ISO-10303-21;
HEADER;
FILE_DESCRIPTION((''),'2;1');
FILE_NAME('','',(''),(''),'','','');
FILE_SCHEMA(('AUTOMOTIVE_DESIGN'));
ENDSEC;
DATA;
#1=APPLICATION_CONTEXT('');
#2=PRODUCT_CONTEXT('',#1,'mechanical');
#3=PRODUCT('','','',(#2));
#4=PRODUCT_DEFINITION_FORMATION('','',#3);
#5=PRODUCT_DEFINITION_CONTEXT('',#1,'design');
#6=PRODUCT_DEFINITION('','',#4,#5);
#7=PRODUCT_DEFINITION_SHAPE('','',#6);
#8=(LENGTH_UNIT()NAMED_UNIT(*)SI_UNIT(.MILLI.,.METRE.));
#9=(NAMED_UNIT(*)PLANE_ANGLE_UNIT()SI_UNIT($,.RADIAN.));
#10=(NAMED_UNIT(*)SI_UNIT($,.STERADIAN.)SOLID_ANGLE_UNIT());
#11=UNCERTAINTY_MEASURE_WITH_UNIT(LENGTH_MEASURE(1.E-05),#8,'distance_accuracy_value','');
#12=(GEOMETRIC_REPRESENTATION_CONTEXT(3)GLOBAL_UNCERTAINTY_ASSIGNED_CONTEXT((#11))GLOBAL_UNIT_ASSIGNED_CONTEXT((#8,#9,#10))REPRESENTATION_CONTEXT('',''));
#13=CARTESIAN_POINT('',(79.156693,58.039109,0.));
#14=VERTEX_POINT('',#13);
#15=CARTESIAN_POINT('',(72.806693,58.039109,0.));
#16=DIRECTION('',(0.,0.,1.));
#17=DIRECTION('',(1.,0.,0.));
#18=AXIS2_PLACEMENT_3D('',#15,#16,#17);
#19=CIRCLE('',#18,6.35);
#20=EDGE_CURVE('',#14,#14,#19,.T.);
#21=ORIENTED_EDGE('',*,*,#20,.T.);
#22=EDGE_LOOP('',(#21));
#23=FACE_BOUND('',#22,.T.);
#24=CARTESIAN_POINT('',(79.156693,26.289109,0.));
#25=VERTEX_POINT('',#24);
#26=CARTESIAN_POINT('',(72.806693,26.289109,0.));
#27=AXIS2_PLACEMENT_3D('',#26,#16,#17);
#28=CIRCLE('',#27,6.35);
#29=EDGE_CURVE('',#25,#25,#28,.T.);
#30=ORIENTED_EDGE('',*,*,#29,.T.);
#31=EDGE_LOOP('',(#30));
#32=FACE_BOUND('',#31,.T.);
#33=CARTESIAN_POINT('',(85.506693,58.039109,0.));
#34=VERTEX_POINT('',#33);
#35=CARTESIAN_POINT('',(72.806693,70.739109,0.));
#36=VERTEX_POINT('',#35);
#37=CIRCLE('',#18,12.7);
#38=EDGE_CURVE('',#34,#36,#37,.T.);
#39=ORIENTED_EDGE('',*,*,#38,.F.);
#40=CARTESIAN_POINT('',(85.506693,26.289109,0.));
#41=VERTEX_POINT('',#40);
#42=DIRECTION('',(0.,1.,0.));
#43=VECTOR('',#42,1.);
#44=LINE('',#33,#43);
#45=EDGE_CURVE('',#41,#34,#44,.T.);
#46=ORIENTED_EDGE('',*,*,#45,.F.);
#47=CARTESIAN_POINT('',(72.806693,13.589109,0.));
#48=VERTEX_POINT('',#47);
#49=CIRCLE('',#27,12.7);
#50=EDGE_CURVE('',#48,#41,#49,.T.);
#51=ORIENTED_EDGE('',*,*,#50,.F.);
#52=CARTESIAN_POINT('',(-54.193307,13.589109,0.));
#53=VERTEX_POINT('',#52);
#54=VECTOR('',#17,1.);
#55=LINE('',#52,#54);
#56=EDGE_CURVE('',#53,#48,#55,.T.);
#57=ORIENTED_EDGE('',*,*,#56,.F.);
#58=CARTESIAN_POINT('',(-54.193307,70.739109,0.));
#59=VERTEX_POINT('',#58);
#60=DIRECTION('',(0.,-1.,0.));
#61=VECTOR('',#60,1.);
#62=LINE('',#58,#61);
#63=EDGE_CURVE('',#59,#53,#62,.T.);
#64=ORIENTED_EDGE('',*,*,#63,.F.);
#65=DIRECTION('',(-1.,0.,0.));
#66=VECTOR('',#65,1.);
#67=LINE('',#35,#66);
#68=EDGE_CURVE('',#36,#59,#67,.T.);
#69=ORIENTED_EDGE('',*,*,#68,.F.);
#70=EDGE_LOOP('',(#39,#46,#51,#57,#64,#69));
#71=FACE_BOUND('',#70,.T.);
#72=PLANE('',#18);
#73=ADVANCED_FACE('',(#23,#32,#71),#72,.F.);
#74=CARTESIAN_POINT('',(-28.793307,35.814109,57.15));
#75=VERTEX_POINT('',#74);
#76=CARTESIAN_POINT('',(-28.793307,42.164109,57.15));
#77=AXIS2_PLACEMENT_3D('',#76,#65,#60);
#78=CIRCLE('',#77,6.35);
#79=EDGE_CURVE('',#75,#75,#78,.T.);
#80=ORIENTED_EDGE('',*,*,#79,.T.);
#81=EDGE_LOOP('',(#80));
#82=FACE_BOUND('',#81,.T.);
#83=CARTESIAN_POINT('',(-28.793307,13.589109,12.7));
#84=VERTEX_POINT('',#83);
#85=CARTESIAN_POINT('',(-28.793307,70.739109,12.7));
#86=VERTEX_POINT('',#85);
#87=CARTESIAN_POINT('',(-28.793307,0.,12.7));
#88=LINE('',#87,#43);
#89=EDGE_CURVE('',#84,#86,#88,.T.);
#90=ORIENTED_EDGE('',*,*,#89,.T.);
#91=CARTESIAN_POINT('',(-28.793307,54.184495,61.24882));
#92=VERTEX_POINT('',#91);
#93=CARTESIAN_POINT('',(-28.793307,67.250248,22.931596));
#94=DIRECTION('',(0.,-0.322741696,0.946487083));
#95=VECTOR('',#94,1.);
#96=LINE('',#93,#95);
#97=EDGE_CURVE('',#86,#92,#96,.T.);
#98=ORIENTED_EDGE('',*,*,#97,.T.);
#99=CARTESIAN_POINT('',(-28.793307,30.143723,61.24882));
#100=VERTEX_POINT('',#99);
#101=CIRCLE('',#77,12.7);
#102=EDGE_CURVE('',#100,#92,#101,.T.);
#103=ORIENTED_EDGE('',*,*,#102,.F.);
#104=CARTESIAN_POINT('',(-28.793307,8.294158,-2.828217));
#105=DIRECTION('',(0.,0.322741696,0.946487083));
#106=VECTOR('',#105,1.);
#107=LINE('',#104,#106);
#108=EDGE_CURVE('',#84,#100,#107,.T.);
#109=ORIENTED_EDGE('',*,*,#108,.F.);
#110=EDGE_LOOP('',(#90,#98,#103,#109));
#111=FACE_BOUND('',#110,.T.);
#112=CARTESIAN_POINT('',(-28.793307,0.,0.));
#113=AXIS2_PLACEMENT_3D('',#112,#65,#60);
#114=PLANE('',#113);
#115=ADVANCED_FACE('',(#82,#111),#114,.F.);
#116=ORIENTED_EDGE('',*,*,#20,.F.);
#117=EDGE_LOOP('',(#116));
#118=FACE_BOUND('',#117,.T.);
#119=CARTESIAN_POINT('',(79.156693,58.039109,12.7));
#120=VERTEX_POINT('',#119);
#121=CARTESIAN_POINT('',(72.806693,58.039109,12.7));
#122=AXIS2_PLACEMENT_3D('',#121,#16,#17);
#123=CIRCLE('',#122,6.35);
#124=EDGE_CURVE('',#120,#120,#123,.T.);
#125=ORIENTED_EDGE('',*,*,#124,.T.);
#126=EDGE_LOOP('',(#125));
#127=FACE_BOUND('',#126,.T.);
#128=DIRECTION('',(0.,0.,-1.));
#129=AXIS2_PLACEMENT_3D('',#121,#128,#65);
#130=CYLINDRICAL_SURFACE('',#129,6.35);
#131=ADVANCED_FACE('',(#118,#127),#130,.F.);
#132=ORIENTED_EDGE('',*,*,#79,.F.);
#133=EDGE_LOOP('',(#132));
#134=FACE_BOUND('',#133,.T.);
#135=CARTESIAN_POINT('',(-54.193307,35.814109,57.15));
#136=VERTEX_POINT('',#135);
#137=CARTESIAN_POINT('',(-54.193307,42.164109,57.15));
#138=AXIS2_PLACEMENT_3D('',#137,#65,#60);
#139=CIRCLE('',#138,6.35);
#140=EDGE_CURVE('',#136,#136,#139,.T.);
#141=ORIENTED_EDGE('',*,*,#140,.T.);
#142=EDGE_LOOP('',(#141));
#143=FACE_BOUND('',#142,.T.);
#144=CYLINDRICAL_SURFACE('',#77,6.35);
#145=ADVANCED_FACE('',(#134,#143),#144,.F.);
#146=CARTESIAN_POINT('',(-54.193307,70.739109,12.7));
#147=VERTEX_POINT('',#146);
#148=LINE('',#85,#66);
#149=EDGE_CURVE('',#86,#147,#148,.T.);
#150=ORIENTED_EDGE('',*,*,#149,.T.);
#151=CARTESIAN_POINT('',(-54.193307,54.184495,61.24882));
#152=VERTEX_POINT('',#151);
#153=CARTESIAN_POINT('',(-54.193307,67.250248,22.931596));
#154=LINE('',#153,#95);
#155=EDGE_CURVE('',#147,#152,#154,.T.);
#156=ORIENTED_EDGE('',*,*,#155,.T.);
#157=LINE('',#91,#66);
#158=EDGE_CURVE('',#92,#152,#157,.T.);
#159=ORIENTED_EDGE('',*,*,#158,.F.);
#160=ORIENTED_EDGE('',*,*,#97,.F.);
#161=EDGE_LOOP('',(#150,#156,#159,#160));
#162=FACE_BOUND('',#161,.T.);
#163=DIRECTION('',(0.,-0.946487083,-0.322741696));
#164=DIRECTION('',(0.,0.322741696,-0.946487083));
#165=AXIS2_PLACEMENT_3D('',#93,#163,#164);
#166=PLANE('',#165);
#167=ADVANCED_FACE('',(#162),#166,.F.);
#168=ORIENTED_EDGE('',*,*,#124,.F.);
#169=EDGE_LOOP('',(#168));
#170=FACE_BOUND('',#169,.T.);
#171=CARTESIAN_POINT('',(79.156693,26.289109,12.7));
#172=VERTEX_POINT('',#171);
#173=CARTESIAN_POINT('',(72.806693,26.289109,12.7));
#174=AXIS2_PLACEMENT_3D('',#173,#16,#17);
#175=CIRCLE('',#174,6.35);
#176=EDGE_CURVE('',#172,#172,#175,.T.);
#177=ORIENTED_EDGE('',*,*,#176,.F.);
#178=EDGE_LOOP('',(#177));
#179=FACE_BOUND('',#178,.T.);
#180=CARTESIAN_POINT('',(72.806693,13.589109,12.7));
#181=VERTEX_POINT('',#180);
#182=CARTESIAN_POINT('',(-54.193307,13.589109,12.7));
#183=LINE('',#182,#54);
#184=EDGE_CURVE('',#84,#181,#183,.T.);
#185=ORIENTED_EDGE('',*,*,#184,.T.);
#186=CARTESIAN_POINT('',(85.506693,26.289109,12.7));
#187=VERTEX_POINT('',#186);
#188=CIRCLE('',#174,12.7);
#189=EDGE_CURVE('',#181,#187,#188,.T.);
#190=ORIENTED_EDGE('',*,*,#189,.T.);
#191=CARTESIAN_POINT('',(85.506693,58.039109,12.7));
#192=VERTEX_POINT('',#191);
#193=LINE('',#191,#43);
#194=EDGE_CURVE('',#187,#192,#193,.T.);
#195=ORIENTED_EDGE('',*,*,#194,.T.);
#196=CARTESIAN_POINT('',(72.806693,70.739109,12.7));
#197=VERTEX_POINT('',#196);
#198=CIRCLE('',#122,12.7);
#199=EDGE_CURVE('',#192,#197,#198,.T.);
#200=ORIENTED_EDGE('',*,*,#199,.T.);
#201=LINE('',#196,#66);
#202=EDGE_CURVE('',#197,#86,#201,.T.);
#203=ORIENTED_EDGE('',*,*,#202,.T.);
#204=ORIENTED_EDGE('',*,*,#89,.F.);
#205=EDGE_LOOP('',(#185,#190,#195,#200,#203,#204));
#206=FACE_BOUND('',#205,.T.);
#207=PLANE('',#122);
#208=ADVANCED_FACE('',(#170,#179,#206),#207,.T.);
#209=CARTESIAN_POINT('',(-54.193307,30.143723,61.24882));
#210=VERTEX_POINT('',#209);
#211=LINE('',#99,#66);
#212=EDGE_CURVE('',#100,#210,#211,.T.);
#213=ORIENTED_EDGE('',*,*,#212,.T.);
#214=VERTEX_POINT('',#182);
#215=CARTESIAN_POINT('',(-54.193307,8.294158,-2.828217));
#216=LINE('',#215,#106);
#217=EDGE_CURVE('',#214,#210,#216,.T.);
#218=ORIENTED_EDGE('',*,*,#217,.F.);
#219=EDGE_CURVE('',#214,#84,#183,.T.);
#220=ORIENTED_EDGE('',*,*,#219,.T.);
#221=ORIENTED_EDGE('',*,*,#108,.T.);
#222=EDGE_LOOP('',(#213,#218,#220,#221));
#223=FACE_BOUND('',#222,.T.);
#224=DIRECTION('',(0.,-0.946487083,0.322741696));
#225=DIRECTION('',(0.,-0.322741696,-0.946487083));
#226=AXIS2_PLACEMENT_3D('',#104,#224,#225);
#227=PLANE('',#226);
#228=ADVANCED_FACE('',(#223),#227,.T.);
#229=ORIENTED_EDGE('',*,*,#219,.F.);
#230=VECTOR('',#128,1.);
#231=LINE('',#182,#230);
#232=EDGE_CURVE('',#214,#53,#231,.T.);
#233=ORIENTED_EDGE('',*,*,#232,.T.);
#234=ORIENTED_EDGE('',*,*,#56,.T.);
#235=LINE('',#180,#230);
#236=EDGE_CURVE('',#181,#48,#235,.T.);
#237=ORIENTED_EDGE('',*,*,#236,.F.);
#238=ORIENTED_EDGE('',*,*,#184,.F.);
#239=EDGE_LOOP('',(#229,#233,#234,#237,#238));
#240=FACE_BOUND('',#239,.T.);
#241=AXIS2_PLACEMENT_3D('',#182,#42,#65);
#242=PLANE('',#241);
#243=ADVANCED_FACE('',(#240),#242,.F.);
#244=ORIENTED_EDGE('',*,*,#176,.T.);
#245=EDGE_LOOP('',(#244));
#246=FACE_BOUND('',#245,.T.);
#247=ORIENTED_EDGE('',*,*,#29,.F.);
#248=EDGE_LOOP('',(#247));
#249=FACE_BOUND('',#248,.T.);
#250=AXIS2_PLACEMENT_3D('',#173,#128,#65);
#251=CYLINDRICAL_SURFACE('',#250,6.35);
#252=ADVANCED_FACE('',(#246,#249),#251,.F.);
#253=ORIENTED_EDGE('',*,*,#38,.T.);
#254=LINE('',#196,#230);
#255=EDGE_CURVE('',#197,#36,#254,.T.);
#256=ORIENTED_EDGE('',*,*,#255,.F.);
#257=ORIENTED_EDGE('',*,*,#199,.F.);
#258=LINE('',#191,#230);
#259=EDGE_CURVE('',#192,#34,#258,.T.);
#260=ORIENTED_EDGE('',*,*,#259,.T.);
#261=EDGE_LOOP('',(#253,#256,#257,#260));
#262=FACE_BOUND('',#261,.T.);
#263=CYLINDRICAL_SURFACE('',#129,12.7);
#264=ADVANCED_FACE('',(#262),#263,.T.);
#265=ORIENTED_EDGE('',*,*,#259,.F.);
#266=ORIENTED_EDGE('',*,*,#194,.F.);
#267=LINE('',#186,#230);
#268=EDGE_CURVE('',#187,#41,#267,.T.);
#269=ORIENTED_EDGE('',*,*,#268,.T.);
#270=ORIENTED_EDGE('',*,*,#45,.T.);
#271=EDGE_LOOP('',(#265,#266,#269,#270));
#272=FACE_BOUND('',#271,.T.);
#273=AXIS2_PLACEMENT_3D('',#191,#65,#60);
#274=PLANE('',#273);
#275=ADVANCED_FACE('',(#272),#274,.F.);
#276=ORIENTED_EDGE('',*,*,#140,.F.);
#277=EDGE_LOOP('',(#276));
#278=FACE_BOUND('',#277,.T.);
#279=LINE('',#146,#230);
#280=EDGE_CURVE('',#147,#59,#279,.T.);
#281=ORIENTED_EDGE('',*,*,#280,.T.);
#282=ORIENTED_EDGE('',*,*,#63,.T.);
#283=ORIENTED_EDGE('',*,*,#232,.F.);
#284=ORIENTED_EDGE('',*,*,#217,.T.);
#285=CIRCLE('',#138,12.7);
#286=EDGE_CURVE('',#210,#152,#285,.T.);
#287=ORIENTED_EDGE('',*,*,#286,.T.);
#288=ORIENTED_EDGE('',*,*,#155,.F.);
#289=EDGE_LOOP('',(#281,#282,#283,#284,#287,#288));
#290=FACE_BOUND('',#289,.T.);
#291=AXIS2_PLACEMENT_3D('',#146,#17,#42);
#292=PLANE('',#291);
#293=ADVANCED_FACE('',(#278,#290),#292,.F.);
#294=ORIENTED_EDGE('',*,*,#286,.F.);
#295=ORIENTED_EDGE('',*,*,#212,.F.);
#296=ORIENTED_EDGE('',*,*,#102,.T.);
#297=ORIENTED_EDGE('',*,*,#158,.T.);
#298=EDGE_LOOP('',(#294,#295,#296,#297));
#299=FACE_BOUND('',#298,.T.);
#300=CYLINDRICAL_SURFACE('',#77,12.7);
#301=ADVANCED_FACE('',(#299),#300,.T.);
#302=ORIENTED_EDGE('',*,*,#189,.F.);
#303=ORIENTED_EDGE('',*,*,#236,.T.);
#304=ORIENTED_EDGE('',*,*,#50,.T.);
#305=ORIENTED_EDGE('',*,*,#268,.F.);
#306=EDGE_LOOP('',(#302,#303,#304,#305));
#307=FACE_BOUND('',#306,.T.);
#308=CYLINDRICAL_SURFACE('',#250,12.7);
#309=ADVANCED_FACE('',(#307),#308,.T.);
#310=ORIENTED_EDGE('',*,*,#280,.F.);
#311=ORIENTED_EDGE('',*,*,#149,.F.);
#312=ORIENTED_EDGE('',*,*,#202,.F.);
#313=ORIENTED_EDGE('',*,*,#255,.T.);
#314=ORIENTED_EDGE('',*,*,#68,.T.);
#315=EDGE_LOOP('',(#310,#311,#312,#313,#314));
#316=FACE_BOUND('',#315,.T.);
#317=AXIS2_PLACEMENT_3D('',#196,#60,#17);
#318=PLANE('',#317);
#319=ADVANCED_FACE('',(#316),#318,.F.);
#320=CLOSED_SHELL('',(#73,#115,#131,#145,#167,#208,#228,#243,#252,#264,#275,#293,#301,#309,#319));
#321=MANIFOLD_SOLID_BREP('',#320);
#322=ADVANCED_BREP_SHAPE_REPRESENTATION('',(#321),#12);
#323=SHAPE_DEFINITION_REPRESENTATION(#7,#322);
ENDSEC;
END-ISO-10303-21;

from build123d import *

# Parameters (mm, degrees)
SKETCH1_R           = 6.35
BOSS_EXTRUDE2_DEPTH = 12.7
SKETCH2_R           = 6.35
BOSS_EXTRUDE3_DEPTH = 25.4


with BuildPart() as part:
    # Sketch1 → Boss-Extrude2 (new body)
    with BuildSketch(Plane.XY):
        with BuildLine():
            Line((72.806693362, 70.739109347), (-54.193306638, 70.739109347))
            Line((-54.193306638, 70.739109347), (-54.193306638, 13.589109347))
            Line((-54.193306638, 13.589109347), (72.806693362, 13.589109347))
            ThreePointArc((72.806693362, 13.589109347), (81.786949483, 17.308853226), (85.506693362, 26.289109347))
            Line((85.506693362, 26.289109347), (85.506693362, 58.039109347))
            ThreePointArc((85.506693362, 58.039109347), (81.786949483, 67.019365468), (72.806693362, 70.739109347))
        make_face()
        with Locations((72.806693362, 58.039109347)):
            Circle(SKETCH1_R, mode=Mode.SUBTRACT)
        with Locations((72.806693362, 26.289109347)):
            Circle(SKETCH1_R, mode=Mode.SUBTRACT)
    extrude(amount=BOSS_EXTRUDE2_DEPTH)

    # Sketch2 → Boss-Extrude3 (add)
    with BuildSketch(Plane.ZY.offset(54.193306638)):
        with BuildLine():
            Line((12.7, 13.589109347), (61.248819539, 30.143723397))
            ThreePointArc((61.248819539, 30.143723397), (69.85, 42.164109347), (61.248819539, 54.184495297))
            Line((61.248819539, 54.184495297), (12.7, 70.739109347))
            Line((12.7, 70.739109347), (12.7, 13.589109347))
        make_face()
        with Locations(Location((57.15, 42.164109347, 0), (0, 0, 270))):
            Circle(SKETCH2_R, mode=Mode.SUBTRACT)
    extrude(amount=-BOSS_EXTRUDE3_DEPTH)


solid = part.part
